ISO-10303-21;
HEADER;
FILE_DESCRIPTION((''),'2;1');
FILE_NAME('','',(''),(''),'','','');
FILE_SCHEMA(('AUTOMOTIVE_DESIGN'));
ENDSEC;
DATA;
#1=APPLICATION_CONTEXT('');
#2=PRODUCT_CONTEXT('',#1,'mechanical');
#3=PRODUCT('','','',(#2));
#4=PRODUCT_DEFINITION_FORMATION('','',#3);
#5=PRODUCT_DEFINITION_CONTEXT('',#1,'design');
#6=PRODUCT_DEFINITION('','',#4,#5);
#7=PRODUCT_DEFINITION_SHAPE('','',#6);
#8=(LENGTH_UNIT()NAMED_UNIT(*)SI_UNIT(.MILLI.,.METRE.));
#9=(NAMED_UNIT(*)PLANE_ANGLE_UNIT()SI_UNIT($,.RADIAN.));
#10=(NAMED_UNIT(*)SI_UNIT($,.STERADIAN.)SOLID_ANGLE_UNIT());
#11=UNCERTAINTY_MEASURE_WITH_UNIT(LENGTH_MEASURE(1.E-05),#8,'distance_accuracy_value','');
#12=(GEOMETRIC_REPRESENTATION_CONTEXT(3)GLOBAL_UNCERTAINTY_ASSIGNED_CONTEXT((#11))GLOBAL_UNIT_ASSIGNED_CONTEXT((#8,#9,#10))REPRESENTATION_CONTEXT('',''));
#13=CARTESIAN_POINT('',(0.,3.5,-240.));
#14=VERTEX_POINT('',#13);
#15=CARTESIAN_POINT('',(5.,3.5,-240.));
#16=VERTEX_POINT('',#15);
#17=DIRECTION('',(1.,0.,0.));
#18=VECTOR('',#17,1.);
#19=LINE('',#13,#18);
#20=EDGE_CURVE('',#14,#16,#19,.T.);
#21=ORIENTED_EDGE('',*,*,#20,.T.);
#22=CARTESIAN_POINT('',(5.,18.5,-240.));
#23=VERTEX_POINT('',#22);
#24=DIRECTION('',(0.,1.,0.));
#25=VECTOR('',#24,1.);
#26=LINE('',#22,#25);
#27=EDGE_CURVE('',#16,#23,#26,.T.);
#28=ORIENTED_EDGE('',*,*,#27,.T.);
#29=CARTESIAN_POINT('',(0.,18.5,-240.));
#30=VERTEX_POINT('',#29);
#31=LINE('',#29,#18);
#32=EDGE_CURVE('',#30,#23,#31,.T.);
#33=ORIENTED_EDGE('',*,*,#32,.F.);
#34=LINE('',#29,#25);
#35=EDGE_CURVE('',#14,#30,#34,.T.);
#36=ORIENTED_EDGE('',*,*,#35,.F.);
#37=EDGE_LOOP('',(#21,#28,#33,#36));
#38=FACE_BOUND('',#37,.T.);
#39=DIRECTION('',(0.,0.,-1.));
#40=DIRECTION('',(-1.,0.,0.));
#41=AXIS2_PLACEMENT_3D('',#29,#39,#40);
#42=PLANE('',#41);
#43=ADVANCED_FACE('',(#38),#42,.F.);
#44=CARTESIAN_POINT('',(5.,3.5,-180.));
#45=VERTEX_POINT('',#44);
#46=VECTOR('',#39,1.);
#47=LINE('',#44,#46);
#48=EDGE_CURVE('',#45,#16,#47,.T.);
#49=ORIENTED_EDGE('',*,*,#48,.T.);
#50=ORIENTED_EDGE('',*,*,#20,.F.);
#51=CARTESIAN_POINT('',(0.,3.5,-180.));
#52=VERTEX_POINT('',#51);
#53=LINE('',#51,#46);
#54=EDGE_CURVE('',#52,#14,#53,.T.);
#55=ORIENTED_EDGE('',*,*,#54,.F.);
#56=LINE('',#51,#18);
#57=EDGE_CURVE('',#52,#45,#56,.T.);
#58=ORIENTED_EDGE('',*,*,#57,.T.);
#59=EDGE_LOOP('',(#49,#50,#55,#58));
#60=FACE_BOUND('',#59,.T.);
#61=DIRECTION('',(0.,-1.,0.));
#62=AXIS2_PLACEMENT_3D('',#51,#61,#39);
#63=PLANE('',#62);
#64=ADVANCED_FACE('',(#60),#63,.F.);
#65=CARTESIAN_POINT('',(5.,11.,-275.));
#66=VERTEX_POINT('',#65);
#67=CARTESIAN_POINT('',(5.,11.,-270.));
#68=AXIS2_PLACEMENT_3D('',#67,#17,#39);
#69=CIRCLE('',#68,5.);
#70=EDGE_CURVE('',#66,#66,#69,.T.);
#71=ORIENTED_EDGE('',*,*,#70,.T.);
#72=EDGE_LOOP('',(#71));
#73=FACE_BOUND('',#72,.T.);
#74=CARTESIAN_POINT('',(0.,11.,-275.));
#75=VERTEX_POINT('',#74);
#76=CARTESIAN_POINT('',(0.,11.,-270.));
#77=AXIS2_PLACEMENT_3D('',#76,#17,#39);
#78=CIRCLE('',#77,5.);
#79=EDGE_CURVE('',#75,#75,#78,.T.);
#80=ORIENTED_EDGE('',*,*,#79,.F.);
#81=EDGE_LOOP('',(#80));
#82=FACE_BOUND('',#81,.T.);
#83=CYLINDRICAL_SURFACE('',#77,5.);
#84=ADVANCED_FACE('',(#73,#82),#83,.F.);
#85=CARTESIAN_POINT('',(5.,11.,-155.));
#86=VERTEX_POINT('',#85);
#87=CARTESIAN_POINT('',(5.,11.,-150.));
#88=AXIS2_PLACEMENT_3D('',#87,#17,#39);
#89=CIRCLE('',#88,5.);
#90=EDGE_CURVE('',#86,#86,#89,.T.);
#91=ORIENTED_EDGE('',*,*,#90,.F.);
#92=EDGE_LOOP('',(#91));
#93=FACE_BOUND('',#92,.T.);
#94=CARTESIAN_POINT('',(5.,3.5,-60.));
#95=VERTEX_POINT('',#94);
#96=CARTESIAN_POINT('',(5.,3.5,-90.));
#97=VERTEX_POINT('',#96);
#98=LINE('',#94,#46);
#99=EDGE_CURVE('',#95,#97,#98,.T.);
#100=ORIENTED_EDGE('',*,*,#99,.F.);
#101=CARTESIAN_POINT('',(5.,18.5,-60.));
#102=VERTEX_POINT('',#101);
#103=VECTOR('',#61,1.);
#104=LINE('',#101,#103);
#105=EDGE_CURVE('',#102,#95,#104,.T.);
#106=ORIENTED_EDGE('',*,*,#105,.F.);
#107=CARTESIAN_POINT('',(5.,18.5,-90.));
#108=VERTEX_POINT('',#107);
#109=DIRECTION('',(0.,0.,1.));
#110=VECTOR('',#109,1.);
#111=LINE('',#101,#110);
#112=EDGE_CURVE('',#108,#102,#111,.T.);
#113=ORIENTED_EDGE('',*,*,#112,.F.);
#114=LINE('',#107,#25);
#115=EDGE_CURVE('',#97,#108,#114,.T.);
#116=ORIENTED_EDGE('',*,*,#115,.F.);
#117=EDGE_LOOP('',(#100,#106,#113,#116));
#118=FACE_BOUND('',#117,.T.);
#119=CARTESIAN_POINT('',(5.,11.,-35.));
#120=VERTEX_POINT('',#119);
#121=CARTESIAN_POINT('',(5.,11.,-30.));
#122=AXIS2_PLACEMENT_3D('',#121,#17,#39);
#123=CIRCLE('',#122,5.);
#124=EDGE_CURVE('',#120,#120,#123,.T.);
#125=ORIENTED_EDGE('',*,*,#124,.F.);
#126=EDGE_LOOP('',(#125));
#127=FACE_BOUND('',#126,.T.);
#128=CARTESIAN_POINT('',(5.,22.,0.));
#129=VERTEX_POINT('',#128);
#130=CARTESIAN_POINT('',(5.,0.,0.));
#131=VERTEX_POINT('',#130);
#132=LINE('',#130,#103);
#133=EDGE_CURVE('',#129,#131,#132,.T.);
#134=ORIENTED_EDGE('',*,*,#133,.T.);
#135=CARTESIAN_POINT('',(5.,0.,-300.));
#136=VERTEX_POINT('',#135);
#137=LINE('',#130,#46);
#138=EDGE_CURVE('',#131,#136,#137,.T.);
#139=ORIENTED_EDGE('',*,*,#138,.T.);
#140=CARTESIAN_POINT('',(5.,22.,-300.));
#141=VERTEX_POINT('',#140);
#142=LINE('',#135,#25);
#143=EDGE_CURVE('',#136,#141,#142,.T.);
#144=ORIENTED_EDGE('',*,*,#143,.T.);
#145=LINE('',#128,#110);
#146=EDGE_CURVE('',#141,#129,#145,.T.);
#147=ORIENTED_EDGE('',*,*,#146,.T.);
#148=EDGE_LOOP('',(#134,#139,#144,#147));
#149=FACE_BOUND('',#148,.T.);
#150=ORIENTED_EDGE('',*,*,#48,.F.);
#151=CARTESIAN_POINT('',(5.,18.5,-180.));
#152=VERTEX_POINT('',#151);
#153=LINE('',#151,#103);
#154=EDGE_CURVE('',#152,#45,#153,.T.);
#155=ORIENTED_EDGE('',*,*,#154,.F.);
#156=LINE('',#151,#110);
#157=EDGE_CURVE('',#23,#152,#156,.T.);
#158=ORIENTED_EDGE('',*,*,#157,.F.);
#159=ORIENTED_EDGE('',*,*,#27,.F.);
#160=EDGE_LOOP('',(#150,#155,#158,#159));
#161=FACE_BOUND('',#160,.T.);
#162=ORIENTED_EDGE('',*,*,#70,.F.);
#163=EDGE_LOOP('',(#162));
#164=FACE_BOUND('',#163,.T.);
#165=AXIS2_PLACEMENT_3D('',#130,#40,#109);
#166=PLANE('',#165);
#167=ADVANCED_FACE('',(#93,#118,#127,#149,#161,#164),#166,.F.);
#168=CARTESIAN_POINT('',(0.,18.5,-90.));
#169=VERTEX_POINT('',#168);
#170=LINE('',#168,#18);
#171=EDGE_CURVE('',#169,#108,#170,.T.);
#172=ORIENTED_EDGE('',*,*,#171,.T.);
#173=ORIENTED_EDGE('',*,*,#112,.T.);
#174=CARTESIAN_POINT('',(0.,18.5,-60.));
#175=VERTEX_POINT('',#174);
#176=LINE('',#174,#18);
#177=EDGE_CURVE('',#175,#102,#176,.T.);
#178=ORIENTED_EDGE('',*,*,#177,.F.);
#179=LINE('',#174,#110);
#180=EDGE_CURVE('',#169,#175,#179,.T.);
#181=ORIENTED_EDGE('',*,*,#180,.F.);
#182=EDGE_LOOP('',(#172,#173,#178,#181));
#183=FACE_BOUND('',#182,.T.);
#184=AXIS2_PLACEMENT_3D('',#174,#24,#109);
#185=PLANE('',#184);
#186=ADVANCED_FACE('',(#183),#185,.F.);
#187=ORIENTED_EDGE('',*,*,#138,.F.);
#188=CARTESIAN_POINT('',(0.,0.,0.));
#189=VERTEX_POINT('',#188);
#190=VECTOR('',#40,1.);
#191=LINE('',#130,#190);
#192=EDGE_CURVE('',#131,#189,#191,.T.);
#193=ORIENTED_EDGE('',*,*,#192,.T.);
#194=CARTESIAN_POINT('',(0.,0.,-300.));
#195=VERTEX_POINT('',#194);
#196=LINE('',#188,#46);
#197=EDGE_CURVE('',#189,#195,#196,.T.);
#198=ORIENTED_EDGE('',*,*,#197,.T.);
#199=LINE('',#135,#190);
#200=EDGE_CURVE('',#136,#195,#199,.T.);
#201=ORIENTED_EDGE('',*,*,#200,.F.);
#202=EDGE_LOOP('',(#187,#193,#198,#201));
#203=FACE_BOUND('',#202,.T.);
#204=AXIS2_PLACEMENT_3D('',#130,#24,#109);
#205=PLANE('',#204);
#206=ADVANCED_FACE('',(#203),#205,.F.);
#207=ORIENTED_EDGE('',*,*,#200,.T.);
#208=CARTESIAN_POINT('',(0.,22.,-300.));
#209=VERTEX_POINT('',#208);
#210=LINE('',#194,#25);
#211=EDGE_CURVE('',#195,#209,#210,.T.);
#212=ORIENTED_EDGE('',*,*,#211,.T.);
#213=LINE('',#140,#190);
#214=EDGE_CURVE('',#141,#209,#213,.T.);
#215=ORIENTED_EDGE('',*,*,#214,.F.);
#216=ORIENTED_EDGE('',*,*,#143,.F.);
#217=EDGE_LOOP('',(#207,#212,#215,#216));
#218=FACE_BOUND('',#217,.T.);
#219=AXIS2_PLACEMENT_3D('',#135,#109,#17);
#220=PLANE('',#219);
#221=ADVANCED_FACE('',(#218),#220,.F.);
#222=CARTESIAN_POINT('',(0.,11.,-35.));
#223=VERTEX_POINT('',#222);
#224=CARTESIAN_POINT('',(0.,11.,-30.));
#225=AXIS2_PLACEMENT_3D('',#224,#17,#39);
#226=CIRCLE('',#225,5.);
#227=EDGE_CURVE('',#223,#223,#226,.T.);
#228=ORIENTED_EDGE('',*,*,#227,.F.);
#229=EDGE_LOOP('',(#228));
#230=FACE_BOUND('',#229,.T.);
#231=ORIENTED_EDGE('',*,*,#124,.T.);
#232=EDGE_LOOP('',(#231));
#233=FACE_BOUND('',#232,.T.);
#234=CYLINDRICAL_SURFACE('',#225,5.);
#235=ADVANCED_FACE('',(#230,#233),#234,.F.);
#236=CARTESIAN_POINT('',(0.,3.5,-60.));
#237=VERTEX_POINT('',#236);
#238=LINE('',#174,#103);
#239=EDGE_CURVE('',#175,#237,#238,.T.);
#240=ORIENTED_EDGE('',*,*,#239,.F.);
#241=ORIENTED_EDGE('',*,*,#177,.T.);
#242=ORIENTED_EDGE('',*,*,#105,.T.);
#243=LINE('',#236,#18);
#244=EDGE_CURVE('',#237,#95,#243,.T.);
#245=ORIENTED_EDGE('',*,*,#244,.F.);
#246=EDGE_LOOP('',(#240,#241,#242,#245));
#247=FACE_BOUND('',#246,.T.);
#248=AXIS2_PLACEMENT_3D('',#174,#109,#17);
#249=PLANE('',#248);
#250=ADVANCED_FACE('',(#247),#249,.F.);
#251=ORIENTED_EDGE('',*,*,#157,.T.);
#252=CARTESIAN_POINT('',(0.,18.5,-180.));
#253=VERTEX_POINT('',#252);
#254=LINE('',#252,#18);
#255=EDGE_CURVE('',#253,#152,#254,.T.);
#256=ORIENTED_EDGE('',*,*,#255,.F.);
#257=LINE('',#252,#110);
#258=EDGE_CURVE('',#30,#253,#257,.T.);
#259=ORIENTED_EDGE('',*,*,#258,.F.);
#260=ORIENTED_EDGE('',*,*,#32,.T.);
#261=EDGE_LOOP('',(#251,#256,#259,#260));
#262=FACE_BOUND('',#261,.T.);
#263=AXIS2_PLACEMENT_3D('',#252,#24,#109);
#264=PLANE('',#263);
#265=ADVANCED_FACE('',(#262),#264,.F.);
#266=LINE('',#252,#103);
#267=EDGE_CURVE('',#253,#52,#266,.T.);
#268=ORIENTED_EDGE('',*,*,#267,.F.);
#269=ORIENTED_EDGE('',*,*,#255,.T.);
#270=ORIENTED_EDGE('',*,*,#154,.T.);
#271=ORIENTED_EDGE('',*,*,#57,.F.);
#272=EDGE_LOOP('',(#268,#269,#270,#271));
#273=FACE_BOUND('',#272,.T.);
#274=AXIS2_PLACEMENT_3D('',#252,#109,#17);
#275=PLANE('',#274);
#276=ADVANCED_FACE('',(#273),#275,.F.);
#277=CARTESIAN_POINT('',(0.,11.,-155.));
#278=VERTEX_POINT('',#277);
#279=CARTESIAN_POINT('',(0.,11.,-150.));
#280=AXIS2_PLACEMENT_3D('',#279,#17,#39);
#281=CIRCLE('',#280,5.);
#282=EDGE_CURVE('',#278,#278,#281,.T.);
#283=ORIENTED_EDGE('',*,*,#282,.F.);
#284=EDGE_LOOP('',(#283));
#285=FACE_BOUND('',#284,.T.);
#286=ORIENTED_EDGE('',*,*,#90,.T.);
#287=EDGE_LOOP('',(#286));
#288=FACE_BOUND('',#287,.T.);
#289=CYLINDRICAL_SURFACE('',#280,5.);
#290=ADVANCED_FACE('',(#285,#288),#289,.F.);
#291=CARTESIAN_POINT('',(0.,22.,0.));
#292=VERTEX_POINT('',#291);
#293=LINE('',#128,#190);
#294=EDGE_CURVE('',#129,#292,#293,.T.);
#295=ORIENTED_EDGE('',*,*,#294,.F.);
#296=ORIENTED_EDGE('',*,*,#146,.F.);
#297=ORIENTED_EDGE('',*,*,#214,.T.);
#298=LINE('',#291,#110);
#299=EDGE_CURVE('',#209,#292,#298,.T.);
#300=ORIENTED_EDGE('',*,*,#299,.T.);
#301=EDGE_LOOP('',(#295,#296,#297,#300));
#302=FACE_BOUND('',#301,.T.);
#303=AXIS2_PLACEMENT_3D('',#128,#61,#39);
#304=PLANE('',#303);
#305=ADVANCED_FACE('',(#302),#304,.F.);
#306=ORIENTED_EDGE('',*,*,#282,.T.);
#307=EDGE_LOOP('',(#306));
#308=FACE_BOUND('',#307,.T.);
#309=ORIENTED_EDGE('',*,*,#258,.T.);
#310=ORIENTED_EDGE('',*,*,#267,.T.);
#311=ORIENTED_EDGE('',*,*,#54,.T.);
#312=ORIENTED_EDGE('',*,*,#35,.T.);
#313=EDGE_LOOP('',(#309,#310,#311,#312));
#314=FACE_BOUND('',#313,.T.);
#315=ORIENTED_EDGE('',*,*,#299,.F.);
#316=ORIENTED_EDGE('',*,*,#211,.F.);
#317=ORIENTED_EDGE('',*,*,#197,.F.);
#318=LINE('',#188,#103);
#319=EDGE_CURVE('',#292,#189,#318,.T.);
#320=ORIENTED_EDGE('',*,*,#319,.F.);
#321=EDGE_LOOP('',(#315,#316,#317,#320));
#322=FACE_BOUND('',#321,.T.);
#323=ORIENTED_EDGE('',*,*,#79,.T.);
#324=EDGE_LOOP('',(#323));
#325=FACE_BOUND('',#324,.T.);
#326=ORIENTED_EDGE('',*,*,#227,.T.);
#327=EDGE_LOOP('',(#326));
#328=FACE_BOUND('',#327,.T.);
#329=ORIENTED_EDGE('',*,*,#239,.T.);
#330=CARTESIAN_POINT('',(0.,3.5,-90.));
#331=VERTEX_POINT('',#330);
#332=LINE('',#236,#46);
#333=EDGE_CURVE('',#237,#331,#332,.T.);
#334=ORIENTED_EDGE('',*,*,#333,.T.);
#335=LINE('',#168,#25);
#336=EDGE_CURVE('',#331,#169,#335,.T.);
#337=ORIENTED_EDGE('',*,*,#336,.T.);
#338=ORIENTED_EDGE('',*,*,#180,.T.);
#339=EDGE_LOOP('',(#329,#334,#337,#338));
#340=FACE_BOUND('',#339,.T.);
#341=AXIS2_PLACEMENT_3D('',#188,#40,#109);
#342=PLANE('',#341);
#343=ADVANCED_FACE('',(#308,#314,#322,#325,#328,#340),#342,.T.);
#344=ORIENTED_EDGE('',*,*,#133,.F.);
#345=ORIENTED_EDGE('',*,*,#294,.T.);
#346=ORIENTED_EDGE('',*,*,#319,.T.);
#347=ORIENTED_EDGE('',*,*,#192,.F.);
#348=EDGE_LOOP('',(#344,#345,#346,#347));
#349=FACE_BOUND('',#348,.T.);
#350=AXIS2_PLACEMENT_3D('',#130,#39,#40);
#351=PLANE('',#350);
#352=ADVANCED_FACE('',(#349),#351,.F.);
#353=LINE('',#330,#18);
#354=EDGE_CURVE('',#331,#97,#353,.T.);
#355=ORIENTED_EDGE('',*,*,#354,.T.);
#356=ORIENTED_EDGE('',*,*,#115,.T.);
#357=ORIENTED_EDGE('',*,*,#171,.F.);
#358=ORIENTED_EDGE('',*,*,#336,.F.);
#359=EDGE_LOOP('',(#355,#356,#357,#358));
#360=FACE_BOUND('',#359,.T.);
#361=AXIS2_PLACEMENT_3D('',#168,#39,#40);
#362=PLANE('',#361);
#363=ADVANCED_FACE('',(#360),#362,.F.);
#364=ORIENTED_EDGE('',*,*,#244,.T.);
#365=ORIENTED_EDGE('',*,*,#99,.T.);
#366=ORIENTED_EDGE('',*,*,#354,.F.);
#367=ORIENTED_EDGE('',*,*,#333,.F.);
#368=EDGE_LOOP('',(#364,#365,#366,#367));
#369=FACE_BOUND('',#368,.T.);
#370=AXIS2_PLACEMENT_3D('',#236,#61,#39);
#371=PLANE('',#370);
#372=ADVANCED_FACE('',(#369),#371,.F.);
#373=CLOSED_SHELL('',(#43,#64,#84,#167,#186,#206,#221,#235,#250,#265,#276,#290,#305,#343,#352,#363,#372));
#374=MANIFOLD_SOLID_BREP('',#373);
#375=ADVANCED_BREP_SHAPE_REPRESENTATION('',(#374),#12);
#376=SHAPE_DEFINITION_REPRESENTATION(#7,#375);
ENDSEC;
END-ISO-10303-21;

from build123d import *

# Parameters (mm, degrees)
SKETCH1_W           = 300
SKETCH1_H           = 22
BOSS_EXTRUDE1_DEPTH = 5
SKETCH2_R           = 5
SKETCH2_W           = 30
SKETCH2_H           = 15
SKETCH2_W_2         = 60
CUT_EXTRUDE1_DEPTH  = 5


with BuildPart() as part:
    # Sketch1 → Boss-Extrude1 (new body)
    with BuildSketch(Plane(origin=(0, 0, 0), x_dir=(0, 0, -1), z_dir=(1, 0, 0))):
        with Locations((150, 11)):
            Rectangle(SKETCH1_W, SKETCH1_H)
    extrude(amount=BOSS_EXTRUDE1_DEPTH)

    # Sketch2 → Cut-Extrude1 (cut)
    with BuildSketch(Plane(origin=(5, 0, 0), x_dir=(0, 0, -1), z_dir=(1, 0, 0))):
        with Locations((30, 11)):
            Circle(SKETCH2_R)
        with Locations((150, 11)):
            Circle(SKETCH2_R)
        with Locations((270, 11)):
            Circle(SKETCH2_R)
        with Locations((75, 11)):
            Rectangle(SKETCH2_W, SKETCH2_H)
        with Locations((210, 11)):
            Rectangle(SKETCH2_W_2, SKETCH2_H)
    extrude(amount=-CUT_EXTRUDE1_DEPTH, mode=Mode.SUBTRACT)


solid = part.part
